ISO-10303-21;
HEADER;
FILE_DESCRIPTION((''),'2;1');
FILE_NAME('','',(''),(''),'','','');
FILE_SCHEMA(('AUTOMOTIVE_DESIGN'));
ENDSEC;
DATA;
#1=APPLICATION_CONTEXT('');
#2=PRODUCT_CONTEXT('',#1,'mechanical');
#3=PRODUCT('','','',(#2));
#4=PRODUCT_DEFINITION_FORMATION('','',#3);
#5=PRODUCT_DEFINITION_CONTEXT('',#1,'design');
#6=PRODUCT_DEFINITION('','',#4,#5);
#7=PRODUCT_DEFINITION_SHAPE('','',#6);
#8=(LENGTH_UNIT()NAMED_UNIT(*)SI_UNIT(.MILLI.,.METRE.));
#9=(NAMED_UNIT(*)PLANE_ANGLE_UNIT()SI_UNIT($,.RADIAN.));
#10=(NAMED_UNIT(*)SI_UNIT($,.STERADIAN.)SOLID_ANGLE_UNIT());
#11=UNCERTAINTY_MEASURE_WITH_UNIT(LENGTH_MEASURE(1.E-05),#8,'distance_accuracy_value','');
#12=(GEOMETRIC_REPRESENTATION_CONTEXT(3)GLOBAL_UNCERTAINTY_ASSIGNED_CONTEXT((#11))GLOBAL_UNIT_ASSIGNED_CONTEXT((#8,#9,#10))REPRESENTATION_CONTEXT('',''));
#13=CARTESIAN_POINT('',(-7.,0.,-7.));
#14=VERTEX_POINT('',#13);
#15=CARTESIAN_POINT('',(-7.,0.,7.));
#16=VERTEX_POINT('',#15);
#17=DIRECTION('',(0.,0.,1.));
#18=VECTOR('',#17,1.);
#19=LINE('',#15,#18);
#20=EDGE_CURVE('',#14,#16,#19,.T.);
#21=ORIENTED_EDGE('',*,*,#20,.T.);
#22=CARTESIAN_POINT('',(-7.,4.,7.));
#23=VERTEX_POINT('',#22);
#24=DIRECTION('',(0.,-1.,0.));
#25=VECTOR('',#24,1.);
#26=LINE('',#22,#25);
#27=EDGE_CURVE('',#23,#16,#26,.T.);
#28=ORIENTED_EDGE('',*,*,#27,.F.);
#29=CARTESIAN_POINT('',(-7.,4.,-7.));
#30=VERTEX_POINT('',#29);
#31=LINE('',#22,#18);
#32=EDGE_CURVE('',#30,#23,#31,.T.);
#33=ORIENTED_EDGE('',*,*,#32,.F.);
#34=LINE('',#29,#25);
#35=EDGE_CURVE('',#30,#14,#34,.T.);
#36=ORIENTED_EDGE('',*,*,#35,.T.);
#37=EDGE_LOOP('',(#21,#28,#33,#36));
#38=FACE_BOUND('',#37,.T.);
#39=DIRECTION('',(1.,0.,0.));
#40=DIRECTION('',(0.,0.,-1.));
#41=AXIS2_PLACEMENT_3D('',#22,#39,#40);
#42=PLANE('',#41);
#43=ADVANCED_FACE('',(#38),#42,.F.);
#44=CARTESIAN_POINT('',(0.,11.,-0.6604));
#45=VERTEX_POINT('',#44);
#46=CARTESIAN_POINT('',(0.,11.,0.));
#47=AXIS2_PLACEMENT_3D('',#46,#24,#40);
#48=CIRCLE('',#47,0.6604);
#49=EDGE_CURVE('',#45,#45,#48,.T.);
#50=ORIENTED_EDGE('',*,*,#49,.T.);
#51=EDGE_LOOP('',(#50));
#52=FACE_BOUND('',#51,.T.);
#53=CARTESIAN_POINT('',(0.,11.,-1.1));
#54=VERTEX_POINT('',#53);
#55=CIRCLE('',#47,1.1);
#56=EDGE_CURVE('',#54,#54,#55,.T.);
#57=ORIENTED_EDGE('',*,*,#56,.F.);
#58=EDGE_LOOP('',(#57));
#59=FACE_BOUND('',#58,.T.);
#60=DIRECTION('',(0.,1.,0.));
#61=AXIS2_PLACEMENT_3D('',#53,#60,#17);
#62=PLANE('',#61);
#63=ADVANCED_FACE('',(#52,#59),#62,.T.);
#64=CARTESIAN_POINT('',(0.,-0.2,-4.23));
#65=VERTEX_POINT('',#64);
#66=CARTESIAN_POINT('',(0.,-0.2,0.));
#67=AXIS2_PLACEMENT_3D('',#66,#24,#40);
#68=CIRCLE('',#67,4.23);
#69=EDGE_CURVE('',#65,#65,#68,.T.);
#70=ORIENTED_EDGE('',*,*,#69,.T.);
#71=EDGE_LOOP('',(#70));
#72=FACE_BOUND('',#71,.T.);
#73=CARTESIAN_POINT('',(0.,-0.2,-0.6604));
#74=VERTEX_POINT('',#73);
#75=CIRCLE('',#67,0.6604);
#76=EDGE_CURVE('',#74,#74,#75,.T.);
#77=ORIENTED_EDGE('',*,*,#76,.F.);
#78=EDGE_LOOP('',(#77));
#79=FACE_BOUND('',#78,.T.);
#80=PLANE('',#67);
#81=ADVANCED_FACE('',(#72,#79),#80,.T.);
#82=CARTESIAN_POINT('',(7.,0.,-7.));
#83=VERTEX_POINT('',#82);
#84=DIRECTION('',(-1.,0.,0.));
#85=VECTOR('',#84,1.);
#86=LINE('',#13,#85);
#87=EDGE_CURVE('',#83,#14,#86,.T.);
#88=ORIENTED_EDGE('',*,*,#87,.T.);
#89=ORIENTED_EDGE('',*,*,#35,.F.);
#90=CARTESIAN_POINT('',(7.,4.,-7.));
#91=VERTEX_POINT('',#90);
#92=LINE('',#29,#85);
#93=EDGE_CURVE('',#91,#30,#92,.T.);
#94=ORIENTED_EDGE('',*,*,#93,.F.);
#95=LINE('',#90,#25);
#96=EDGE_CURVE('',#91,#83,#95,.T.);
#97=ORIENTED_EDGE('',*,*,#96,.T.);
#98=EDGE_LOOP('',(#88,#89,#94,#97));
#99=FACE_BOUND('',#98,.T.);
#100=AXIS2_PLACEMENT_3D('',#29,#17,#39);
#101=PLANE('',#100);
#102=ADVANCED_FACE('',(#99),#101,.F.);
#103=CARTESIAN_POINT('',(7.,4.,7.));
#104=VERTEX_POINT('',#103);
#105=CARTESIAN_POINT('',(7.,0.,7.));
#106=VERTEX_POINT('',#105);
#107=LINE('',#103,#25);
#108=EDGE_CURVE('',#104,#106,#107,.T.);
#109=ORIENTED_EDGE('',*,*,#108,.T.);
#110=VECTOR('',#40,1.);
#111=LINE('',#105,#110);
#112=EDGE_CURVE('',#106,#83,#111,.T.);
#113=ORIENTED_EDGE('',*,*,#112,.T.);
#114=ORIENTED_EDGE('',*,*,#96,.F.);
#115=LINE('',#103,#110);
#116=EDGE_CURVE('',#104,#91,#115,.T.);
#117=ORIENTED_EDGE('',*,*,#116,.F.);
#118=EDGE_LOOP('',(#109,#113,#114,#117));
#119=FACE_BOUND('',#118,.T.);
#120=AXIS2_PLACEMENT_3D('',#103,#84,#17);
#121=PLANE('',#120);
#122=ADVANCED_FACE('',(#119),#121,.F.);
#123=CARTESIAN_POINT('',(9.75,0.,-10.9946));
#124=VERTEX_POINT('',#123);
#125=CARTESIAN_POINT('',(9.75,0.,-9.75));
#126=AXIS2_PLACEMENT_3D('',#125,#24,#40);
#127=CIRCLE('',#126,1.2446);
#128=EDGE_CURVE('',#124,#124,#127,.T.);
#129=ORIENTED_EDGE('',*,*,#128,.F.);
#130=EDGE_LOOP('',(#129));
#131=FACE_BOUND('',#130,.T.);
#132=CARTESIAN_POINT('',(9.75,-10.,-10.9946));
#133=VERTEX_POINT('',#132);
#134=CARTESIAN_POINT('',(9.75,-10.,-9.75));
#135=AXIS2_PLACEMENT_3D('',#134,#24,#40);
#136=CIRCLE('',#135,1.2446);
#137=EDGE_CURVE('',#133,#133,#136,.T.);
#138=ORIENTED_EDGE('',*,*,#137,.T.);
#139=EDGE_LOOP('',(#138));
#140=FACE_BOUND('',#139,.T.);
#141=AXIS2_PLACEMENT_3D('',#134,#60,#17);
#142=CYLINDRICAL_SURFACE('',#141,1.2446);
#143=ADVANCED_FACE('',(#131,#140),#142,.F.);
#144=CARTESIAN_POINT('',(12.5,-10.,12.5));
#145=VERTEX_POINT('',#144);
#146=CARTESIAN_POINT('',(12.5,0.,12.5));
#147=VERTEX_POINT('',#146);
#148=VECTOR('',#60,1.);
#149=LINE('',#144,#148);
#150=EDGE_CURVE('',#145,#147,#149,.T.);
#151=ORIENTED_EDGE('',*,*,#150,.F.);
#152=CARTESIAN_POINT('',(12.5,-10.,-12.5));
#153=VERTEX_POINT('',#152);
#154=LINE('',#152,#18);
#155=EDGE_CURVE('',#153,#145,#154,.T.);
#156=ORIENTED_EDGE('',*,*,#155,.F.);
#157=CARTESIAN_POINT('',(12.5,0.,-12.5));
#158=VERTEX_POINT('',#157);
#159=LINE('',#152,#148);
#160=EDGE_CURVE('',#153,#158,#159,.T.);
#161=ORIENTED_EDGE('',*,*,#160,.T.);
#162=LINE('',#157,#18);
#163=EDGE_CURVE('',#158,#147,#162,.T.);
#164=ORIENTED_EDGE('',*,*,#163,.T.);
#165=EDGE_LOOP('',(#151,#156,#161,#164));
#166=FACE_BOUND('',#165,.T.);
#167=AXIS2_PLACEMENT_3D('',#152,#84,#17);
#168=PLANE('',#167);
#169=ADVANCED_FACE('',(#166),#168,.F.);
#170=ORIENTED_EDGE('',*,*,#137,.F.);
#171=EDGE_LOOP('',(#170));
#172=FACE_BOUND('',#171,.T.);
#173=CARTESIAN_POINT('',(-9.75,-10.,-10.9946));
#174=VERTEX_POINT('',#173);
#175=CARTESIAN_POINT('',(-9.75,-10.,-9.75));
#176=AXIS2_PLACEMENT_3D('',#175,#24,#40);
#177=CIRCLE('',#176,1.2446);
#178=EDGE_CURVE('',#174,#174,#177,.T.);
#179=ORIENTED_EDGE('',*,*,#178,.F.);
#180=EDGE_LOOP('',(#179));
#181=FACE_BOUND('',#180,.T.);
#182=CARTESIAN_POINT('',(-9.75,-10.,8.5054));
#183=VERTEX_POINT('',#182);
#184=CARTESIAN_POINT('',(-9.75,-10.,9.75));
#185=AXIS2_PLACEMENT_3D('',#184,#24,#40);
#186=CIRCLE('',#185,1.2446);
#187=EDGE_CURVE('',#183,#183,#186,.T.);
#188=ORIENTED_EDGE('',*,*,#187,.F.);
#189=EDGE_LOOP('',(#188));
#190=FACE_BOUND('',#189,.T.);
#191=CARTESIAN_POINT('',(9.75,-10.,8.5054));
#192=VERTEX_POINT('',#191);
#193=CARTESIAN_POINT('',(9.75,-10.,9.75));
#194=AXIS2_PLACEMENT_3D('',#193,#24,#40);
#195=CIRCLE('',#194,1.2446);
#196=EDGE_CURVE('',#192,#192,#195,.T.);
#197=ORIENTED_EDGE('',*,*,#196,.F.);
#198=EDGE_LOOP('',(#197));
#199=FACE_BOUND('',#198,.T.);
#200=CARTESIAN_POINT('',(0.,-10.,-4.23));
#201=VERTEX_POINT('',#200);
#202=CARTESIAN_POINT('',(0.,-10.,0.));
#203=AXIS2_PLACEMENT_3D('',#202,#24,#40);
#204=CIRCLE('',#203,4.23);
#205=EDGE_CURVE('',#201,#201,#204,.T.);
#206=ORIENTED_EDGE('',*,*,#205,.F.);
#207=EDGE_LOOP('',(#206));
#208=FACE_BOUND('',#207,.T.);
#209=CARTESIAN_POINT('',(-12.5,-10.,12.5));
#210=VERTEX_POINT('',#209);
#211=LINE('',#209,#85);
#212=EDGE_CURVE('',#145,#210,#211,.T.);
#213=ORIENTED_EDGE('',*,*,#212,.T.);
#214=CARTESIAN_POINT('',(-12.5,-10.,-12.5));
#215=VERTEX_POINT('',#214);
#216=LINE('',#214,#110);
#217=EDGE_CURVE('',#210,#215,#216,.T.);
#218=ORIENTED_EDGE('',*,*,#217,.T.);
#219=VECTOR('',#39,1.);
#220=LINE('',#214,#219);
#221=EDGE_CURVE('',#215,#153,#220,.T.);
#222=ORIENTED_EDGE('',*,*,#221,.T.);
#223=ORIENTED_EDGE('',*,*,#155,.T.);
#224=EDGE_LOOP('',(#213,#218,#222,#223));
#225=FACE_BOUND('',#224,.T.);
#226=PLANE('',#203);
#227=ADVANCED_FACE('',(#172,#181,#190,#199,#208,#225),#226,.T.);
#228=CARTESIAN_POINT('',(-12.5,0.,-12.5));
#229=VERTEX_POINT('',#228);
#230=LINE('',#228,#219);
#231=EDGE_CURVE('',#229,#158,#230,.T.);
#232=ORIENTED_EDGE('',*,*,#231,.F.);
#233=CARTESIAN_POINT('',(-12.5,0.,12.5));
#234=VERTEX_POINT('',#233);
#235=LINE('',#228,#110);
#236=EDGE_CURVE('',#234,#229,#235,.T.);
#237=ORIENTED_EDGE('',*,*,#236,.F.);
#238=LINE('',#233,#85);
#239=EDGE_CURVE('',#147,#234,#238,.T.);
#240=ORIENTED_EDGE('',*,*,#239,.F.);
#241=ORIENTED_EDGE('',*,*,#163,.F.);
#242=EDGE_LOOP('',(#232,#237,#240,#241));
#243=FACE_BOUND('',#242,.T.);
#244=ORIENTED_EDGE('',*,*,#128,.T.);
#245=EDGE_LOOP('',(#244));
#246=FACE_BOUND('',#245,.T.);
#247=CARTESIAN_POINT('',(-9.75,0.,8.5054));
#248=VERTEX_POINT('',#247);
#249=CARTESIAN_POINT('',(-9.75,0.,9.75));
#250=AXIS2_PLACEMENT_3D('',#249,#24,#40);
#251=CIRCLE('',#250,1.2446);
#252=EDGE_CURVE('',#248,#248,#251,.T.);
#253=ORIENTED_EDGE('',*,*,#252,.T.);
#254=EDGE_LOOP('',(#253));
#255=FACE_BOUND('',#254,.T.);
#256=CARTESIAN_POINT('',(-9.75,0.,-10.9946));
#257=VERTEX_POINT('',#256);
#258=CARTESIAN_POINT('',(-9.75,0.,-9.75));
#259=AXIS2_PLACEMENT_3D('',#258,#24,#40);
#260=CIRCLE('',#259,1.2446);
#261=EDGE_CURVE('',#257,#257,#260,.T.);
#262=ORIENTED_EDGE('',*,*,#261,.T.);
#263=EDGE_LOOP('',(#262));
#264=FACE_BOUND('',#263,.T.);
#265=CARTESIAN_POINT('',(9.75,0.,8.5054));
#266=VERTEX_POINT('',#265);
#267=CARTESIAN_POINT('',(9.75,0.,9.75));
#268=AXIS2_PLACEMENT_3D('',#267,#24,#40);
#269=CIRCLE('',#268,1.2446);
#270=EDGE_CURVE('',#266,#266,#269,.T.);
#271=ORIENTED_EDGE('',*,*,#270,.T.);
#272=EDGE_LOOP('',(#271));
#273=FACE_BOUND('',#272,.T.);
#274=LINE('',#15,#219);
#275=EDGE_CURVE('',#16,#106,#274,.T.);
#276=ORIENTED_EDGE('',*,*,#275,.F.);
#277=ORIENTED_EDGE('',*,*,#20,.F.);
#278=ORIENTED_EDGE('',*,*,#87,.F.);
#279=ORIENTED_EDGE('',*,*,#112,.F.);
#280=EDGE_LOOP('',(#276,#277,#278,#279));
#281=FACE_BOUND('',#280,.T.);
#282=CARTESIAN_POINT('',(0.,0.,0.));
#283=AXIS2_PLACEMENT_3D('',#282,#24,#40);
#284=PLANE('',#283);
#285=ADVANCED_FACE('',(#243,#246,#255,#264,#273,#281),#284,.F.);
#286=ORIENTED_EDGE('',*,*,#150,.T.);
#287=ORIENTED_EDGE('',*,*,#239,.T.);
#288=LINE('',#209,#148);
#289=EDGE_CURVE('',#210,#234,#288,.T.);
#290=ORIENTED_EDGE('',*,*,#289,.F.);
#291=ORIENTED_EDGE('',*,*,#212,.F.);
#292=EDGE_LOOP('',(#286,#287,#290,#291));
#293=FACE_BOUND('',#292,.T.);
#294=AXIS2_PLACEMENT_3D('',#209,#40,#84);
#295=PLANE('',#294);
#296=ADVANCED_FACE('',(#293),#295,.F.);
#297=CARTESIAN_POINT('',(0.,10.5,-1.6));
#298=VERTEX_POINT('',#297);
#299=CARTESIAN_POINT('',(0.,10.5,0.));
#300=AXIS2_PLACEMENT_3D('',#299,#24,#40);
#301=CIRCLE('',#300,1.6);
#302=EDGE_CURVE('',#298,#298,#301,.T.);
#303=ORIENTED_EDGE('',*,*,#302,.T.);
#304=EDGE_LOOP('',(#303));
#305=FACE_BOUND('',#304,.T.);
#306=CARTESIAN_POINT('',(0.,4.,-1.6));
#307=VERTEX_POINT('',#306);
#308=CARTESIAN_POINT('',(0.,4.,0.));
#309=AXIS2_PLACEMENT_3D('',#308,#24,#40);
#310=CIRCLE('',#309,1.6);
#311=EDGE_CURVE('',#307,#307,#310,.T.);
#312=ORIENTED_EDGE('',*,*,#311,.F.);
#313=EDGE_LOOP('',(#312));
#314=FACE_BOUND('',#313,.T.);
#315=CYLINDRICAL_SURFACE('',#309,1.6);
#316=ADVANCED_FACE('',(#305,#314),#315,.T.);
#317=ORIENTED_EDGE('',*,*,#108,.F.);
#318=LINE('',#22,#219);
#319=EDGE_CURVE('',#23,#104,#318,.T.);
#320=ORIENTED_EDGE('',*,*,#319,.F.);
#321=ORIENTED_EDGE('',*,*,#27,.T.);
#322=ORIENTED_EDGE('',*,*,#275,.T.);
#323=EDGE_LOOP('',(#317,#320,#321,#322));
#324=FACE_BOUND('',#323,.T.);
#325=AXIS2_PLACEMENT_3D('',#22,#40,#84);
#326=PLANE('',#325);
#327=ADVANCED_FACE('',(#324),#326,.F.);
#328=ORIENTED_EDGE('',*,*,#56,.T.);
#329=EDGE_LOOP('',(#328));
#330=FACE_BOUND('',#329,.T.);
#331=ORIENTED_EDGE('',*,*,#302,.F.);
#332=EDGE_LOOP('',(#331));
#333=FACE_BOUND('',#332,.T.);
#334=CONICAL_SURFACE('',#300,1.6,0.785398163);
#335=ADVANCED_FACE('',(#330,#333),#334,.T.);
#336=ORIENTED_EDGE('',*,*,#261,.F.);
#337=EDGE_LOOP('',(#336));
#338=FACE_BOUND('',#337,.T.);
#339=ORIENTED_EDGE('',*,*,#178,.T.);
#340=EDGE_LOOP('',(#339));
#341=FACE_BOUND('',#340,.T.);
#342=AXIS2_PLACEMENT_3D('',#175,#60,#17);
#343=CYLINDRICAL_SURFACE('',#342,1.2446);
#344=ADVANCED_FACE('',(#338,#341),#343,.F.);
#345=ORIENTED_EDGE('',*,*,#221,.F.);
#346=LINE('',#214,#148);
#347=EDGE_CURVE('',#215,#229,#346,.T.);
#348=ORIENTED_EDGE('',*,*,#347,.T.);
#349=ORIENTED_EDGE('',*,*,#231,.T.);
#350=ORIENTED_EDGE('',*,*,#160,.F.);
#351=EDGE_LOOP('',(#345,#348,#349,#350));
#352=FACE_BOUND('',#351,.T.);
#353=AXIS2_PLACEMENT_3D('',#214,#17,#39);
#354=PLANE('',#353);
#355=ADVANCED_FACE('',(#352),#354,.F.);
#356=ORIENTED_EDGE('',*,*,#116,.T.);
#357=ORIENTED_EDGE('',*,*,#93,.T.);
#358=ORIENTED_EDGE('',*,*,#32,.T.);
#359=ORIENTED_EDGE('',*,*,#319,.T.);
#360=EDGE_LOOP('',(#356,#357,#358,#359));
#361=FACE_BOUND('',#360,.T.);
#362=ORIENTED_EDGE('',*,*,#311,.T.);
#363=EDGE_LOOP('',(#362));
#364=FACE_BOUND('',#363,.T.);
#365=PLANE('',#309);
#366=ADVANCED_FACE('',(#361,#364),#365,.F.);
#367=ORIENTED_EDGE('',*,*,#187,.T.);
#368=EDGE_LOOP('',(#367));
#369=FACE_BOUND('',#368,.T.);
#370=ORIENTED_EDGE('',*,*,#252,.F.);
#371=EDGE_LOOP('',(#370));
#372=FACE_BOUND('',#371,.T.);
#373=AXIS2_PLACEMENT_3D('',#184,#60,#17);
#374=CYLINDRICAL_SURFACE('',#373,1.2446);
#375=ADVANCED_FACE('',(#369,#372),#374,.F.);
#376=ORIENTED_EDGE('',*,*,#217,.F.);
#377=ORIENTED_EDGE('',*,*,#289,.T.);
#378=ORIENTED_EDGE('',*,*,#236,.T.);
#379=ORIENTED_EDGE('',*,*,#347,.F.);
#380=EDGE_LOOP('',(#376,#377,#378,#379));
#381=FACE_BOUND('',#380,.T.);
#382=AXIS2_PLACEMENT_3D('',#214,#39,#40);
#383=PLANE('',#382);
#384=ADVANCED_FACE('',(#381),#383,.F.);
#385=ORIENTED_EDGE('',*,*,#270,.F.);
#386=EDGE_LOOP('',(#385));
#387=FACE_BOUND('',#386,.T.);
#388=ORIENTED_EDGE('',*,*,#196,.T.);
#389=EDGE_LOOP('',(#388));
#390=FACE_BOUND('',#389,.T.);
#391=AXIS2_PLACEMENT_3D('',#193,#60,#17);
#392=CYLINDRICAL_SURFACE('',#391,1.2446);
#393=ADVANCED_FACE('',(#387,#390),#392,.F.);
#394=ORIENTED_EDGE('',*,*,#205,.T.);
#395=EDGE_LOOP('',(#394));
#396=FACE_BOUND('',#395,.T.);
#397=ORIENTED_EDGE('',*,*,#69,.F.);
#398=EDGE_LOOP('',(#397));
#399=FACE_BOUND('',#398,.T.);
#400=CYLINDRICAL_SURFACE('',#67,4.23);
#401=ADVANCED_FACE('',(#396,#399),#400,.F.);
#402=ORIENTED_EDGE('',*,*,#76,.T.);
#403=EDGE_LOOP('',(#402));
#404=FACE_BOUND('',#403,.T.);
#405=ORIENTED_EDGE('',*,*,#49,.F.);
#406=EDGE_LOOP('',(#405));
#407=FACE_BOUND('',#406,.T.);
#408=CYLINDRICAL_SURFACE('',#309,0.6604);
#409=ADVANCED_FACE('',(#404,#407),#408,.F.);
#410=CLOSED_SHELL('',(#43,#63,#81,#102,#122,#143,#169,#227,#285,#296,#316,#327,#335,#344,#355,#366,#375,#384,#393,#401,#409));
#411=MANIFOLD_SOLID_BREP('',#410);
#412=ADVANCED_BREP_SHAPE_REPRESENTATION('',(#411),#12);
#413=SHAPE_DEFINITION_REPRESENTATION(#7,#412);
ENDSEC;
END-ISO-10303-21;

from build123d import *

# Parameters (mm, degrees)
SKETCH1_W           = 14
SKETCH1_H           = 14
BOSS_EXTRUDE1_DEPTH = 4
SKETCH2_W           = 25
SKETCH2_H           = 25
SKETCH2_R           = 1.2446
BOSS_EXTRUDE2_DEPTH = 10
SKETCH3_R           = 4.23
CUT_EXTRUDE1_DEPTH  = 9.8
SKETCH5_R           = 0.6604
CUT_EXTRUDE2_DEPTH  = 14


with BuildPart() as part:
    # Sketch1 → Boss-Extrude1 (new body)
    with BuildSketch(Plane(origin=(0, 0, 0), x_dir=(1, 0, 0), z_dir=(0, 1, 0))):
        Rectangle(SKETCH1_W, SKETCH1_H)
    extrude(amount=BOSS_EXTRUDE1_DEPTH)

    # Sketch2 → Boss-Extrude2 (add)
    with BuildSketch(Plane.XZ):
        Rectangle(SKETCH2_W, SKETCH2_H)
        with Locations((-9.75, 9.75)):
            Circle(SKETCH2_R, mode=Mode.SUBTRACT)
        with Locations((9.75, 9.75)):
            Circle(SKETCH2_R, mode=Mode.SUBTRACT)
        with Locations((9.75, -9.75)):
            Circle(SKETCH2_R, mode=Mode.SUBTRACT)
        with Locations((-9.75, -9.75)):
            Circle(SKETCH2_R, mode=Mode.SUBTRACT)
    extrude(amount=BOSS_EXTRUDE2_DEPTH)

    # Sketch3 → Cut-Extrude1 (cut)
    with BuildSketch(Plane.XZ.offset(10)):
        Circle(SKETCH3_R)
    extrude(amount=-CUT_EXTRUDE1_DEPTH, mode=Mode.SUBTRACT)

    # Sketch4 → Revolve1 (revolve)
    with BuildSketch(Plane(origin=(0, 0, 0), x_dir=(0, 0, -1), z_dir=(1, 0, 0))):
        Polygon((0.6604, 11), (0.6604, 4), (1.6, 4), (1.6, 10.5), (1.1, 11), align=None)
    revolve(axis=Axis((0, 4, 0), (0, 1, 0)))

    # Sketch5 → Cut-Extrude2 (cut)
    with BuildSketch(Plane(origin=(0, 4, 0), x_dir=(1, 0, 0), z_dir=(0, 1, 0))):
        Circle(SKETCH5_R)
    extrude(amount=-CUT_EXTRUDE2_DEPTH, mode=Mode.SUBTRACT)


solid = part.part
